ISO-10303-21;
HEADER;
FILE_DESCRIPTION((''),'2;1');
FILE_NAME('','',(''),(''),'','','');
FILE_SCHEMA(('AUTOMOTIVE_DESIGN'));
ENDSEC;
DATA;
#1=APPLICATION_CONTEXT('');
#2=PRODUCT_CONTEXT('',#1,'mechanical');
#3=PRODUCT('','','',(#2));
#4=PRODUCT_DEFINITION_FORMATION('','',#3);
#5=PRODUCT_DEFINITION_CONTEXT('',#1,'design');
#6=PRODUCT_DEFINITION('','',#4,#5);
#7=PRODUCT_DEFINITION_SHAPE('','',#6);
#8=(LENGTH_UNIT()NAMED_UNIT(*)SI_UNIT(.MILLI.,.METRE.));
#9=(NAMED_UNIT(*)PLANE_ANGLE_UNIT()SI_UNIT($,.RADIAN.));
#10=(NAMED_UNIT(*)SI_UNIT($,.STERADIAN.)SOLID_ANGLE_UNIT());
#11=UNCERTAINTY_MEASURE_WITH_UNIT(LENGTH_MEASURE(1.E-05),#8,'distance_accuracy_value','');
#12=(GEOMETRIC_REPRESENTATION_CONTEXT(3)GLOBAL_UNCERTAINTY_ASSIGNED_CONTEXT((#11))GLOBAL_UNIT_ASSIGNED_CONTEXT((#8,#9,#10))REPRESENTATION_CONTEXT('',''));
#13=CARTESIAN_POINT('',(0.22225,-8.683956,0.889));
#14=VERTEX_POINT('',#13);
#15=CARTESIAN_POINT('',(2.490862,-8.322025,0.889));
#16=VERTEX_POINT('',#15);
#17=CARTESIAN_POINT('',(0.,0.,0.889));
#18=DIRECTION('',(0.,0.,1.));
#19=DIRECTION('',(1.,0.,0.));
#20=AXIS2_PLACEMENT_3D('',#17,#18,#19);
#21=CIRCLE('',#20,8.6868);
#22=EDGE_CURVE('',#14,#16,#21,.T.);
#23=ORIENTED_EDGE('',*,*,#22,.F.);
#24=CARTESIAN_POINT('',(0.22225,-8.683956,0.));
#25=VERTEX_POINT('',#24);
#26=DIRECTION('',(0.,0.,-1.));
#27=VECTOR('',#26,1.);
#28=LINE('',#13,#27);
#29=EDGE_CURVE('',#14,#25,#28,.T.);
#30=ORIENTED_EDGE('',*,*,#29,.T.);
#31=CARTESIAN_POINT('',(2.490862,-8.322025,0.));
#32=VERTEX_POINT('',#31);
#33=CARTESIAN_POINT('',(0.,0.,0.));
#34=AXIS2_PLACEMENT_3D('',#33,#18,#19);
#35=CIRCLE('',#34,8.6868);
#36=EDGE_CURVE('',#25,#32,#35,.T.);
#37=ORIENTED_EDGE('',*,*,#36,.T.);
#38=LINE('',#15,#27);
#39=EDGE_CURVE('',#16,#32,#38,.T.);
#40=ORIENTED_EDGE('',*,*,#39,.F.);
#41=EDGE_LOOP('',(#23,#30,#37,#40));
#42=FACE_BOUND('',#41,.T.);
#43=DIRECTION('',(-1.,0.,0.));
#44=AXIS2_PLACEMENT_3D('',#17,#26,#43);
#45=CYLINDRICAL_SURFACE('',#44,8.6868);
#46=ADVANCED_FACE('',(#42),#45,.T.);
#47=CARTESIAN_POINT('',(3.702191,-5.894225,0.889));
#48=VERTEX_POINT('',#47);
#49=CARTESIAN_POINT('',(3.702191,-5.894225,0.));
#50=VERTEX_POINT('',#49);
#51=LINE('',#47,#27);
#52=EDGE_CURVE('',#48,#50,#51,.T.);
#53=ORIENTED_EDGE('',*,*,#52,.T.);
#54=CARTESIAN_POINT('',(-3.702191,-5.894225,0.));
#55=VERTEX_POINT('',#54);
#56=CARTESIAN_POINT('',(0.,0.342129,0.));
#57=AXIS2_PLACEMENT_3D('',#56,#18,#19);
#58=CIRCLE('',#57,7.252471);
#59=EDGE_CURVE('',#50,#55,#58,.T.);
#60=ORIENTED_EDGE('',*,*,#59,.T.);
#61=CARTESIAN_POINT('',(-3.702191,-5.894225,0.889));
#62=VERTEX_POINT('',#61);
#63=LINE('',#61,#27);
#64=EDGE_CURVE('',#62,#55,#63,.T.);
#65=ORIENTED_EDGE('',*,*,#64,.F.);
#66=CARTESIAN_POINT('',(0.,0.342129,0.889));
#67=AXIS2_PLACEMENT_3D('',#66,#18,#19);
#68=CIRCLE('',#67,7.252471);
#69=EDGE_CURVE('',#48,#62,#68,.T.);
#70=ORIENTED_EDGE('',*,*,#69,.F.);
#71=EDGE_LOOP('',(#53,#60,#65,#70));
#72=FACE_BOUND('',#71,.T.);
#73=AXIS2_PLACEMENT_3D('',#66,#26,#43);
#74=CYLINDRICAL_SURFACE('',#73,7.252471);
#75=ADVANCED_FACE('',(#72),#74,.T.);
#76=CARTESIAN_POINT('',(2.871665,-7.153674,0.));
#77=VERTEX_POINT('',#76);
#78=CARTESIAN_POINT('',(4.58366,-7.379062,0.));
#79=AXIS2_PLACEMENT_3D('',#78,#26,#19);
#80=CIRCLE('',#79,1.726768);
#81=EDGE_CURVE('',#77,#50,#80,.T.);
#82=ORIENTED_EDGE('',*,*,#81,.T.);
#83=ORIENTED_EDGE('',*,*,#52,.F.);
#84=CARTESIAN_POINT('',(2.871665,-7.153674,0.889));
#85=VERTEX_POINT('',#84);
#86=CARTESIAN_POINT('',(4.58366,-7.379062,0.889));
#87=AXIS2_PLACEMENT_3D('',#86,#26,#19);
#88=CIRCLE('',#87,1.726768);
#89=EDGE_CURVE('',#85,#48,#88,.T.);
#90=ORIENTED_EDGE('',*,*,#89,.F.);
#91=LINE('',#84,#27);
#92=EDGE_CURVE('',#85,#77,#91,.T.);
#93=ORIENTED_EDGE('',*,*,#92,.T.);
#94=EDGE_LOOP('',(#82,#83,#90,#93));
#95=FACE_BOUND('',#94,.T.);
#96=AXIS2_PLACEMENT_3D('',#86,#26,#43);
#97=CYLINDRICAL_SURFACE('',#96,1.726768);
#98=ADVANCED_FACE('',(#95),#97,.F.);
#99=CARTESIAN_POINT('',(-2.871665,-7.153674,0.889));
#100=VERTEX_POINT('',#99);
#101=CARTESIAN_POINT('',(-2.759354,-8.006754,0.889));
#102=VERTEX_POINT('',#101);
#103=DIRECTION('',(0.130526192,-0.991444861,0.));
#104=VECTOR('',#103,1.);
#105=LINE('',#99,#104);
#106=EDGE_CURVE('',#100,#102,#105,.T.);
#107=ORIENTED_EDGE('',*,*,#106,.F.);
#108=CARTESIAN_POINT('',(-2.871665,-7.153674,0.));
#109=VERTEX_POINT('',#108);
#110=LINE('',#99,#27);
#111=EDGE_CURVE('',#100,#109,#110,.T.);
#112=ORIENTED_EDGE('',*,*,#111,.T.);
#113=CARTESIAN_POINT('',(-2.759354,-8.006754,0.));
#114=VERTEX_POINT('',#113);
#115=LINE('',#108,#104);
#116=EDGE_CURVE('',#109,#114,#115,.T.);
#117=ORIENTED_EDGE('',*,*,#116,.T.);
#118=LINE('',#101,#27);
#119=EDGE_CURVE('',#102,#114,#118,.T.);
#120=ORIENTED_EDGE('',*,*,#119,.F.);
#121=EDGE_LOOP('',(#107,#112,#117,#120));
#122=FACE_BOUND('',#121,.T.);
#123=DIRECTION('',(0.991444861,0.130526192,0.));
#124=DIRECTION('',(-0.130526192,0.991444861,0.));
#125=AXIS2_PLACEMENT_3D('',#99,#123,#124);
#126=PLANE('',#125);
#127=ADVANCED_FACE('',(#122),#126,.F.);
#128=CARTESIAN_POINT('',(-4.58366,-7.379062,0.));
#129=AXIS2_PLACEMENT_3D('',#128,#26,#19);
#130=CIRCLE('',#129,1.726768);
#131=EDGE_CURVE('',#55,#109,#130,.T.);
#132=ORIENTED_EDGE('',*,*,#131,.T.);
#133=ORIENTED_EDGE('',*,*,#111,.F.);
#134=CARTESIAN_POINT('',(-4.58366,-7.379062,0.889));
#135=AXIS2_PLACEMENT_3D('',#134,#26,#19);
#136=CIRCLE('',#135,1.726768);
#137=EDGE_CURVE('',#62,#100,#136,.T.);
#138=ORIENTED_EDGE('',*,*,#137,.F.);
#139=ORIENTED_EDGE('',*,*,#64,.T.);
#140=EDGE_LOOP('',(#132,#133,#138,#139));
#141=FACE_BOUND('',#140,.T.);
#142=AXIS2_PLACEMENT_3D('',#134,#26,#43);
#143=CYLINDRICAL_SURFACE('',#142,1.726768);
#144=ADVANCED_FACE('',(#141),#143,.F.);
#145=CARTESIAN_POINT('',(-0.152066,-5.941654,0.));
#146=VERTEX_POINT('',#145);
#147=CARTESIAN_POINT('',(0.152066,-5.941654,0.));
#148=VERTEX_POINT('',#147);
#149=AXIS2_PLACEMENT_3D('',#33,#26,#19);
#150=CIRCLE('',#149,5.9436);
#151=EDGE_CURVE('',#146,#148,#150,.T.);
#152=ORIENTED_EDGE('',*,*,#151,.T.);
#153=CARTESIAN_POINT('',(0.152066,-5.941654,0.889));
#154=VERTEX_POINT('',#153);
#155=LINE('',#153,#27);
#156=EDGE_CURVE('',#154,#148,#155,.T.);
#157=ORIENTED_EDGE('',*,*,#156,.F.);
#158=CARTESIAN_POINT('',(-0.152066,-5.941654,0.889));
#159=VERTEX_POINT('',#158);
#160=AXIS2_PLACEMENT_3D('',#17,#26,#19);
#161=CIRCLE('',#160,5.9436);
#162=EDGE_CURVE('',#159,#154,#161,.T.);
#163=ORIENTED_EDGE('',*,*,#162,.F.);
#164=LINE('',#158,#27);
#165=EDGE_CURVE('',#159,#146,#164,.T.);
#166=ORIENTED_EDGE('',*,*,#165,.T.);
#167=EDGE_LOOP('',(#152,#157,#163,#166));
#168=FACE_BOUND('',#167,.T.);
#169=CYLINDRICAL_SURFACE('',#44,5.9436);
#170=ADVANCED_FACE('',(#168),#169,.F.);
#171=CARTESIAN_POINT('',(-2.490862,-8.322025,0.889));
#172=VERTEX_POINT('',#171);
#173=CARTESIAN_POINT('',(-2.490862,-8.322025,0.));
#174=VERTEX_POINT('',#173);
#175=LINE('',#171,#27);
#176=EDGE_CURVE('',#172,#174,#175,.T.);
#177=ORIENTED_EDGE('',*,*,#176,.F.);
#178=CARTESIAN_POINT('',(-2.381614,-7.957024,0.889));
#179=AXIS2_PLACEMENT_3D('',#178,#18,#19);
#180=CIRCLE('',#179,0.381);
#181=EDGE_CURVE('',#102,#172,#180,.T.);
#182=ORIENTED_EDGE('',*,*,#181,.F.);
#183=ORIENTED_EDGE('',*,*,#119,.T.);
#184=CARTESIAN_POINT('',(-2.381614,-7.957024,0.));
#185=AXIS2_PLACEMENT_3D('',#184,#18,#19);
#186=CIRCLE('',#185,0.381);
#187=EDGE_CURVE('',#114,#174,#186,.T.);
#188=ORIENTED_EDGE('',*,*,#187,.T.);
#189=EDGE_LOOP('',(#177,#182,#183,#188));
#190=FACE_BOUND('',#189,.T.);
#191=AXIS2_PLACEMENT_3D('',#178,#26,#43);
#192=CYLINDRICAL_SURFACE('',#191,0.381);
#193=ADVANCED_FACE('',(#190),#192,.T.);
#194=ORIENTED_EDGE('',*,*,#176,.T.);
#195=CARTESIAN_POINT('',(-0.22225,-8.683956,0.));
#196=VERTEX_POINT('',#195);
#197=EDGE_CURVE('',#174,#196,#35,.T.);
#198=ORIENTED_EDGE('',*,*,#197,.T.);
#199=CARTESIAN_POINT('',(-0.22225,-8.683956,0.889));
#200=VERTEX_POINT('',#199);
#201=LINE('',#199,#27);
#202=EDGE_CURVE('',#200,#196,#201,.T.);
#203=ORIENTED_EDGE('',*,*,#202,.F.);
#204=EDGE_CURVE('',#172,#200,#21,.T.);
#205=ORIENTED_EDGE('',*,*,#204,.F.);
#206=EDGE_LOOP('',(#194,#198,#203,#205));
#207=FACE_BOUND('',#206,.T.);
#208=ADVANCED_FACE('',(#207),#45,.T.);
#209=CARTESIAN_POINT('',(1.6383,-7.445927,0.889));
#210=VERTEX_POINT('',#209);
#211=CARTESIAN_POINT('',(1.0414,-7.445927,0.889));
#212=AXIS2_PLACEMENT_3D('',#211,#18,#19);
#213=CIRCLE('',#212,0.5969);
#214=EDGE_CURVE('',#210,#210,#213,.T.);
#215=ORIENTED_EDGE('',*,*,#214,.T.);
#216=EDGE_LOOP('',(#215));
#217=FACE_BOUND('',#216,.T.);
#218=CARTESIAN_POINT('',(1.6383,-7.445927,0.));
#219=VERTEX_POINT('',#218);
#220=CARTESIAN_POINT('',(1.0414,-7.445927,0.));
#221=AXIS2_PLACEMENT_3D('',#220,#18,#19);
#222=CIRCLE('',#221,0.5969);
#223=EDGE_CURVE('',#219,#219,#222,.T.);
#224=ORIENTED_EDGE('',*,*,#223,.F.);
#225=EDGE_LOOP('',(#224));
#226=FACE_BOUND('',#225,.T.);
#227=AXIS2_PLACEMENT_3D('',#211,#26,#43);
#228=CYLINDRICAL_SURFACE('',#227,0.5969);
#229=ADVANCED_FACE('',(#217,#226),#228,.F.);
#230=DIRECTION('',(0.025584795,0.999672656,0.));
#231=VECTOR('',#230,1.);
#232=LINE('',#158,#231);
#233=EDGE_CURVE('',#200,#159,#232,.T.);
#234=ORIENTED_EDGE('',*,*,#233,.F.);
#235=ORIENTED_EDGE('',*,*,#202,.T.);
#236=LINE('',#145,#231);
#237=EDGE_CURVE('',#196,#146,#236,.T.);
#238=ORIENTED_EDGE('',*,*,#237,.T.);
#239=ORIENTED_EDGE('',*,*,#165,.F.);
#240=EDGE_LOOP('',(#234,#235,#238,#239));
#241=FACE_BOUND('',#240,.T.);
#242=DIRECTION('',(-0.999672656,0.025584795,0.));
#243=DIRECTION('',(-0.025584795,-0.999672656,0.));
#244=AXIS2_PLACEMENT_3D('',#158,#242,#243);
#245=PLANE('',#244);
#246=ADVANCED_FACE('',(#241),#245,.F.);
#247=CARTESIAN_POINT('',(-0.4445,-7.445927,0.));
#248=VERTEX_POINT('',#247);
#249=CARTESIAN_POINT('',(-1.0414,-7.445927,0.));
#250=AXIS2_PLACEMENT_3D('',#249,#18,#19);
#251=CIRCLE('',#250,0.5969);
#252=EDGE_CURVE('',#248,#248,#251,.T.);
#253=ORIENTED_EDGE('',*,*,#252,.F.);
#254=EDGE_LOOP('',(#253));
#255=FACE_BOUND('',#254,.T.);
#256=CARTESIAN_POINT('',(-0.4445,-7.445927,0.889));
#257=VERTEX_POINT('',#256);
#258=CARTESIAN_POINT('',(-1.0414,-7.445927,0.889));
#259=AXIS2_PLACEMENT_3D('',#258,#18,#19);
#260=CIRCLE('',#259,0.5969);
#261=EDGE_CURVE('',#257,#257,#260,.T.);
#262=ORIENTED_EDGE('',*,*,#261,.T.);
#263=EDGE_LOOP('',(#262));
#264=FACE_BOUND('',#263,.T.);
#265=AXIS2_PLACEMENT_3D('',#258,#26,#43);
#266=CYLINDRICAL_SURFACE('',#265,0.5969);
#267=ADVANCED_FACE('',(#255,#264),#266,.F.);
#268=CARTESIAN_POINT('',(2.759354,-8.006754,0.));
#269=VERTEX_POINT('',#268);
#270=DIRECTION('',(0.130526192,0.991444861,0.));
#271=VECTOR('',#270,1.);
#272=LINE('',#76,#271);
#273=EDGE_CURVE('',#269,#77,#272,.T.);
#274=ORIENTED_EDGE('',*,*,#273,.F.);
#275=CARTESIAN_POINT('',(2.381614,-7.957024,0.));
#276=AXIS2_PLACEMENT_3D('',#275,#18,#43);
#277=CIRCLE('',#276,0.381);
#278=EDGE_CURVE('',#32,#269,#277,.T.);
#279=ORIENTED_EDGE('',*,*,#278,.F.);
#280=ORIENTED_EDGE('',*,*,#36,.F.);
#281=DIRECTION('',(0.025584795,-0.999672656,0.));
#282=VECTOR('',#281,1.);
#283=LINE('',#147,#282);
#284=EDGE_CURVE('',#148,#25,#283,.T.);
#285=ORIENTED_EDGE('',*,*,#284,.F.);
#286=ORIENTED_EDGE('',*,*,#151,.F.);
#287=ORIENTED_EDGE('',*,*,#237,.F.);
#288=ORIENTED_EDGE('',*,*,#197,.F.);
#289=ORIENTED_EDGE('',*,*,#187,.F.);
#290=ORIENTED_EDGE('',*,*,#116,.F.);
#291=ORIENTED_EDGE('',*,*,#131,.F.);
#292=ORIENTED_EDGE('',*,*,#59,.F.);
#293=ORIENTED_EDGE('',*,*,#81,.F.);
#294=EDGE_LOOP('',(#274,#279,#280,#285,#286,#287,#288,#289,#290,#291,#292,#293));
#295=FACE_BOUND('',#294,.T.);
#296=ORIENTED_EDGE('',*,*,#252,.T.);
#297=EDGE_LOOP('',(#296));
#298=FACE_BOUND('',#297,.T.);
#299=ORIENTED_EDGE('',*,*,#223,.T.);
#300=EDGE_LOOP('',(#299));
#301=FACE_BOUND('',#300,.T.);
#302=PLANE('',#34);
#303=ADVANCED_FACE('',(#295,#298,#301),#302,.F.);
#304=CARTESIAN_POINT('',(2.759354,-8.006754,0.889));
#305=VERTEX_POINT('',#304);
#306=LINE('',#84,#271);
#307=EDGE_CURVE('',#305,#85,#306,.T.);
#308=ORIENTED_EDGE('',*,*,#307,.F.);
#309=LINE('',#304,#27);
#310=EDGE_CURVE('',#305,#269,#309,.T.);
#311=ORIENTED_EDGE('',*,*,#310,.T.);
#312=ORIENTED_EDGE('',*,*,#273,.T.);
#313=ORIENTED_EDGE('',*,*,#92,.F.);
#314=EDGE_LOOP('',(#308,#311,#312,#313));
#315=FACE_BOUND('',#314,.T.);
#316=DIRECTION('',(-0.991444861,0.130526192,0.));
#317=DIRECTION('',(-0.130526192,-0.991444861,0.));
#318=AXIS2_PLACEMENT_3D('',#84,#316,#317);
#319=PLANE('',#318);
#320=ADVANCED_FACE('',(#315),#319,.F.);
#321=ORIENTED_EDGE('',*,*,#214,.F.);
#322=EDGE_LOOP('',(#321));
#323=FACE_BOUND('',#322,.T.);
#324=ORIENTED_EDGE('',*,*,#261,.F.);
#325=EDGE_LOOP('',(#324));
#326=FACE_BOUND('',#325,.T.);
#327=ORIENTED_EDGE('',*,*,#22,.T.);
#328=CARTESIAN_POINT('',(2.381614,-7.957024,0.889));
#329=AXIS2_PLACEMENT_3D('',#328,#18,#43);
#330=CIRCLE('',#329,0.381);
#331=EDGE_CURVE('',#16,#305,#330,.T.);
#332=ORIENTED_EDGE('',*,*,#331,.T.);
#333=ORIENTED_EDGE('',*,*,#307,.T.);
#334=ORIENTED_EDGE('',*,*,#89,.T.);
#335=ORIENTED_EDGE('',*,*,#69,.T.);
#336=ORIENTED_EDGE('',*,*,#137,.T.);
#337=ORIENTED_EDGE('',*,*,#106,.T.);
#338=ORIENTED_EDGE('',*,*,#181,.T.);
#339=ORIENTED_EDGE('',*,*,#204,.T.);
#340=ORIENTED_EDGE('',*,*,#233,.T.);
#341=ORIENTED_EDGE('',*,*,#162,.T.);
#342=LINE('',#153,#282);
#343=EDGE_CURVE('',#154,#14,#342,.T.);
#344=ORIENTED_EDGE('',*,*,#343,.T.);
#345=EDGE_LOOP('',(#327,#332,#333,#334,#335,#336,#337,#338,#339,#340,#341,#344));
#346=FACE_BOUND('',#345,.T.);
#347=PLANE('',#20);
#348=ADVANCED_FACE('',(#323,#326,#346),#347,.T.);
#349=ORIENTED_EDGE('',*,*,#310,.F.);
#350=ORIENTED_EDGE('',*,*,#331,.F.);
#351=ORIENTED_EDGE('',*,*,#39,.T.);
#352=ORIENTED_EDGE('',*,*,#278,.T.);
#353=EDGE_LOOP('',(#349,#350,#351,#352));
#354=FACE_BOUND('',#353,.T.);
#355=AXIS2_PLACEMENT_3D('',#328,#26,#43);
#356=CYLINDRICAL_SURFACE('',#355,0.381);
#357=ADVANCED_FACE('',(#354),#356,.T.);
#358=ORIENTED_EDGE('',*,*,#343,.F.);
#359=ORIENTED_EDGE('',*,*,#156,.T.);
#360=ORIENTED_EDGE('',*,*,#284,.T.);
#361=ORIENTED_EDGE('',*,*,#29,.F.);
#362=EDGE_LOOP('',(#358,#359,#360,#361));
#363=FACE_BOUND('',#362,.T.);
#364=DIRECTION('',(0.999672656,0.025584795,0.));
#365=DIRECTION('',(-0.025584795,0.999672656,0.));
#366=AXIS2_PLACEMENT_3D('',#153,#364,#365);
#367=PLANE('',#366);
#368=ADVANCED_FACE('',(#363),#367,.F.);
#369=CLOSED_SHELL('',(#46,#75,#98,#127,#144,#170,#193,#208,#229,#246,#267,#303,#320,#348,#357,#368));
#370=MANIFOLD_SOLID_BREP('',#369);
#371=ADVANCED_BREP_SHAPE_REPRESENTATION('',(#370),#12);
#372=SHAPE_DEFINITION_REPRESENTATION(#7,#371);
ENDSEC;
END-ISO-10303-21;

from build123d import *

# Parameters (mm, degrees)
BODYSKETCH_R = 0.5969
BODY_DEPTH   = 0.889


with BuildPart() as part:
    # BodySketch → Body (new body)
    with BuildSketch(Plane.XY):
        with BuildLine():
            Line((0.152065789, -5.941654396), (0.22225, -8.683956424))
            ThreePointArc((0.22225, -8.683956424), (1.368573357, -8.578315756), (2.490862191, -8.322024981))
            ThreePointArc((2.490862191, -8.322024981), (2.671680086, -8.204051371), (2.759354342, -8.006754365))
            Line((2.759354342, -8.006754365), (2.871664527, -7.153673811))
            ThreePointArc((2.871664527, -7.153673811), (3.142109784, -6.428451286), (3.702191114, -5.894225443))
            ThreePointArc((3.702191114, -5.894225443), (0, 7.5946), (-3.702191114, -5.894225443))
            ThreePointArc((-3.702191114, -5.894225443), (-3.142109784, -6.428451286), (-2.871664527, -7.153673811))
            Line((-2.871664527, -7.153673811), (-2.759354342, -8.006754365))
            ThreePointArc((-2.759354342, -8.006754365), (-2.671680086, -8.204051371), (-2.490862191, -8.322024981))
            ThreePointArc((-2.490862191, -8.322024981), (-1.368573357, -8.578315756), (-0.22225, -8.683956424))
            Line((-0.22225, -8.683956424), (-0.152065789, -5.941654396))
            ThreePointArc((-0.152065789, -5.941654396), (0, 5.9436), (0.152065789, -5.941654396))
        make_face()
        with Locations((1.0414, -7.445926712)):
            Circle(BODYSKETCH_R, mode=Mode.SUBTRACT)
        with Locations((-1.0414, -7.445926712)):
            Circle(BODYSKETCH_R, mode=Mode.SUBTRACT)
    extrude(amount=BODY_DEPTH)


solid = part.part
